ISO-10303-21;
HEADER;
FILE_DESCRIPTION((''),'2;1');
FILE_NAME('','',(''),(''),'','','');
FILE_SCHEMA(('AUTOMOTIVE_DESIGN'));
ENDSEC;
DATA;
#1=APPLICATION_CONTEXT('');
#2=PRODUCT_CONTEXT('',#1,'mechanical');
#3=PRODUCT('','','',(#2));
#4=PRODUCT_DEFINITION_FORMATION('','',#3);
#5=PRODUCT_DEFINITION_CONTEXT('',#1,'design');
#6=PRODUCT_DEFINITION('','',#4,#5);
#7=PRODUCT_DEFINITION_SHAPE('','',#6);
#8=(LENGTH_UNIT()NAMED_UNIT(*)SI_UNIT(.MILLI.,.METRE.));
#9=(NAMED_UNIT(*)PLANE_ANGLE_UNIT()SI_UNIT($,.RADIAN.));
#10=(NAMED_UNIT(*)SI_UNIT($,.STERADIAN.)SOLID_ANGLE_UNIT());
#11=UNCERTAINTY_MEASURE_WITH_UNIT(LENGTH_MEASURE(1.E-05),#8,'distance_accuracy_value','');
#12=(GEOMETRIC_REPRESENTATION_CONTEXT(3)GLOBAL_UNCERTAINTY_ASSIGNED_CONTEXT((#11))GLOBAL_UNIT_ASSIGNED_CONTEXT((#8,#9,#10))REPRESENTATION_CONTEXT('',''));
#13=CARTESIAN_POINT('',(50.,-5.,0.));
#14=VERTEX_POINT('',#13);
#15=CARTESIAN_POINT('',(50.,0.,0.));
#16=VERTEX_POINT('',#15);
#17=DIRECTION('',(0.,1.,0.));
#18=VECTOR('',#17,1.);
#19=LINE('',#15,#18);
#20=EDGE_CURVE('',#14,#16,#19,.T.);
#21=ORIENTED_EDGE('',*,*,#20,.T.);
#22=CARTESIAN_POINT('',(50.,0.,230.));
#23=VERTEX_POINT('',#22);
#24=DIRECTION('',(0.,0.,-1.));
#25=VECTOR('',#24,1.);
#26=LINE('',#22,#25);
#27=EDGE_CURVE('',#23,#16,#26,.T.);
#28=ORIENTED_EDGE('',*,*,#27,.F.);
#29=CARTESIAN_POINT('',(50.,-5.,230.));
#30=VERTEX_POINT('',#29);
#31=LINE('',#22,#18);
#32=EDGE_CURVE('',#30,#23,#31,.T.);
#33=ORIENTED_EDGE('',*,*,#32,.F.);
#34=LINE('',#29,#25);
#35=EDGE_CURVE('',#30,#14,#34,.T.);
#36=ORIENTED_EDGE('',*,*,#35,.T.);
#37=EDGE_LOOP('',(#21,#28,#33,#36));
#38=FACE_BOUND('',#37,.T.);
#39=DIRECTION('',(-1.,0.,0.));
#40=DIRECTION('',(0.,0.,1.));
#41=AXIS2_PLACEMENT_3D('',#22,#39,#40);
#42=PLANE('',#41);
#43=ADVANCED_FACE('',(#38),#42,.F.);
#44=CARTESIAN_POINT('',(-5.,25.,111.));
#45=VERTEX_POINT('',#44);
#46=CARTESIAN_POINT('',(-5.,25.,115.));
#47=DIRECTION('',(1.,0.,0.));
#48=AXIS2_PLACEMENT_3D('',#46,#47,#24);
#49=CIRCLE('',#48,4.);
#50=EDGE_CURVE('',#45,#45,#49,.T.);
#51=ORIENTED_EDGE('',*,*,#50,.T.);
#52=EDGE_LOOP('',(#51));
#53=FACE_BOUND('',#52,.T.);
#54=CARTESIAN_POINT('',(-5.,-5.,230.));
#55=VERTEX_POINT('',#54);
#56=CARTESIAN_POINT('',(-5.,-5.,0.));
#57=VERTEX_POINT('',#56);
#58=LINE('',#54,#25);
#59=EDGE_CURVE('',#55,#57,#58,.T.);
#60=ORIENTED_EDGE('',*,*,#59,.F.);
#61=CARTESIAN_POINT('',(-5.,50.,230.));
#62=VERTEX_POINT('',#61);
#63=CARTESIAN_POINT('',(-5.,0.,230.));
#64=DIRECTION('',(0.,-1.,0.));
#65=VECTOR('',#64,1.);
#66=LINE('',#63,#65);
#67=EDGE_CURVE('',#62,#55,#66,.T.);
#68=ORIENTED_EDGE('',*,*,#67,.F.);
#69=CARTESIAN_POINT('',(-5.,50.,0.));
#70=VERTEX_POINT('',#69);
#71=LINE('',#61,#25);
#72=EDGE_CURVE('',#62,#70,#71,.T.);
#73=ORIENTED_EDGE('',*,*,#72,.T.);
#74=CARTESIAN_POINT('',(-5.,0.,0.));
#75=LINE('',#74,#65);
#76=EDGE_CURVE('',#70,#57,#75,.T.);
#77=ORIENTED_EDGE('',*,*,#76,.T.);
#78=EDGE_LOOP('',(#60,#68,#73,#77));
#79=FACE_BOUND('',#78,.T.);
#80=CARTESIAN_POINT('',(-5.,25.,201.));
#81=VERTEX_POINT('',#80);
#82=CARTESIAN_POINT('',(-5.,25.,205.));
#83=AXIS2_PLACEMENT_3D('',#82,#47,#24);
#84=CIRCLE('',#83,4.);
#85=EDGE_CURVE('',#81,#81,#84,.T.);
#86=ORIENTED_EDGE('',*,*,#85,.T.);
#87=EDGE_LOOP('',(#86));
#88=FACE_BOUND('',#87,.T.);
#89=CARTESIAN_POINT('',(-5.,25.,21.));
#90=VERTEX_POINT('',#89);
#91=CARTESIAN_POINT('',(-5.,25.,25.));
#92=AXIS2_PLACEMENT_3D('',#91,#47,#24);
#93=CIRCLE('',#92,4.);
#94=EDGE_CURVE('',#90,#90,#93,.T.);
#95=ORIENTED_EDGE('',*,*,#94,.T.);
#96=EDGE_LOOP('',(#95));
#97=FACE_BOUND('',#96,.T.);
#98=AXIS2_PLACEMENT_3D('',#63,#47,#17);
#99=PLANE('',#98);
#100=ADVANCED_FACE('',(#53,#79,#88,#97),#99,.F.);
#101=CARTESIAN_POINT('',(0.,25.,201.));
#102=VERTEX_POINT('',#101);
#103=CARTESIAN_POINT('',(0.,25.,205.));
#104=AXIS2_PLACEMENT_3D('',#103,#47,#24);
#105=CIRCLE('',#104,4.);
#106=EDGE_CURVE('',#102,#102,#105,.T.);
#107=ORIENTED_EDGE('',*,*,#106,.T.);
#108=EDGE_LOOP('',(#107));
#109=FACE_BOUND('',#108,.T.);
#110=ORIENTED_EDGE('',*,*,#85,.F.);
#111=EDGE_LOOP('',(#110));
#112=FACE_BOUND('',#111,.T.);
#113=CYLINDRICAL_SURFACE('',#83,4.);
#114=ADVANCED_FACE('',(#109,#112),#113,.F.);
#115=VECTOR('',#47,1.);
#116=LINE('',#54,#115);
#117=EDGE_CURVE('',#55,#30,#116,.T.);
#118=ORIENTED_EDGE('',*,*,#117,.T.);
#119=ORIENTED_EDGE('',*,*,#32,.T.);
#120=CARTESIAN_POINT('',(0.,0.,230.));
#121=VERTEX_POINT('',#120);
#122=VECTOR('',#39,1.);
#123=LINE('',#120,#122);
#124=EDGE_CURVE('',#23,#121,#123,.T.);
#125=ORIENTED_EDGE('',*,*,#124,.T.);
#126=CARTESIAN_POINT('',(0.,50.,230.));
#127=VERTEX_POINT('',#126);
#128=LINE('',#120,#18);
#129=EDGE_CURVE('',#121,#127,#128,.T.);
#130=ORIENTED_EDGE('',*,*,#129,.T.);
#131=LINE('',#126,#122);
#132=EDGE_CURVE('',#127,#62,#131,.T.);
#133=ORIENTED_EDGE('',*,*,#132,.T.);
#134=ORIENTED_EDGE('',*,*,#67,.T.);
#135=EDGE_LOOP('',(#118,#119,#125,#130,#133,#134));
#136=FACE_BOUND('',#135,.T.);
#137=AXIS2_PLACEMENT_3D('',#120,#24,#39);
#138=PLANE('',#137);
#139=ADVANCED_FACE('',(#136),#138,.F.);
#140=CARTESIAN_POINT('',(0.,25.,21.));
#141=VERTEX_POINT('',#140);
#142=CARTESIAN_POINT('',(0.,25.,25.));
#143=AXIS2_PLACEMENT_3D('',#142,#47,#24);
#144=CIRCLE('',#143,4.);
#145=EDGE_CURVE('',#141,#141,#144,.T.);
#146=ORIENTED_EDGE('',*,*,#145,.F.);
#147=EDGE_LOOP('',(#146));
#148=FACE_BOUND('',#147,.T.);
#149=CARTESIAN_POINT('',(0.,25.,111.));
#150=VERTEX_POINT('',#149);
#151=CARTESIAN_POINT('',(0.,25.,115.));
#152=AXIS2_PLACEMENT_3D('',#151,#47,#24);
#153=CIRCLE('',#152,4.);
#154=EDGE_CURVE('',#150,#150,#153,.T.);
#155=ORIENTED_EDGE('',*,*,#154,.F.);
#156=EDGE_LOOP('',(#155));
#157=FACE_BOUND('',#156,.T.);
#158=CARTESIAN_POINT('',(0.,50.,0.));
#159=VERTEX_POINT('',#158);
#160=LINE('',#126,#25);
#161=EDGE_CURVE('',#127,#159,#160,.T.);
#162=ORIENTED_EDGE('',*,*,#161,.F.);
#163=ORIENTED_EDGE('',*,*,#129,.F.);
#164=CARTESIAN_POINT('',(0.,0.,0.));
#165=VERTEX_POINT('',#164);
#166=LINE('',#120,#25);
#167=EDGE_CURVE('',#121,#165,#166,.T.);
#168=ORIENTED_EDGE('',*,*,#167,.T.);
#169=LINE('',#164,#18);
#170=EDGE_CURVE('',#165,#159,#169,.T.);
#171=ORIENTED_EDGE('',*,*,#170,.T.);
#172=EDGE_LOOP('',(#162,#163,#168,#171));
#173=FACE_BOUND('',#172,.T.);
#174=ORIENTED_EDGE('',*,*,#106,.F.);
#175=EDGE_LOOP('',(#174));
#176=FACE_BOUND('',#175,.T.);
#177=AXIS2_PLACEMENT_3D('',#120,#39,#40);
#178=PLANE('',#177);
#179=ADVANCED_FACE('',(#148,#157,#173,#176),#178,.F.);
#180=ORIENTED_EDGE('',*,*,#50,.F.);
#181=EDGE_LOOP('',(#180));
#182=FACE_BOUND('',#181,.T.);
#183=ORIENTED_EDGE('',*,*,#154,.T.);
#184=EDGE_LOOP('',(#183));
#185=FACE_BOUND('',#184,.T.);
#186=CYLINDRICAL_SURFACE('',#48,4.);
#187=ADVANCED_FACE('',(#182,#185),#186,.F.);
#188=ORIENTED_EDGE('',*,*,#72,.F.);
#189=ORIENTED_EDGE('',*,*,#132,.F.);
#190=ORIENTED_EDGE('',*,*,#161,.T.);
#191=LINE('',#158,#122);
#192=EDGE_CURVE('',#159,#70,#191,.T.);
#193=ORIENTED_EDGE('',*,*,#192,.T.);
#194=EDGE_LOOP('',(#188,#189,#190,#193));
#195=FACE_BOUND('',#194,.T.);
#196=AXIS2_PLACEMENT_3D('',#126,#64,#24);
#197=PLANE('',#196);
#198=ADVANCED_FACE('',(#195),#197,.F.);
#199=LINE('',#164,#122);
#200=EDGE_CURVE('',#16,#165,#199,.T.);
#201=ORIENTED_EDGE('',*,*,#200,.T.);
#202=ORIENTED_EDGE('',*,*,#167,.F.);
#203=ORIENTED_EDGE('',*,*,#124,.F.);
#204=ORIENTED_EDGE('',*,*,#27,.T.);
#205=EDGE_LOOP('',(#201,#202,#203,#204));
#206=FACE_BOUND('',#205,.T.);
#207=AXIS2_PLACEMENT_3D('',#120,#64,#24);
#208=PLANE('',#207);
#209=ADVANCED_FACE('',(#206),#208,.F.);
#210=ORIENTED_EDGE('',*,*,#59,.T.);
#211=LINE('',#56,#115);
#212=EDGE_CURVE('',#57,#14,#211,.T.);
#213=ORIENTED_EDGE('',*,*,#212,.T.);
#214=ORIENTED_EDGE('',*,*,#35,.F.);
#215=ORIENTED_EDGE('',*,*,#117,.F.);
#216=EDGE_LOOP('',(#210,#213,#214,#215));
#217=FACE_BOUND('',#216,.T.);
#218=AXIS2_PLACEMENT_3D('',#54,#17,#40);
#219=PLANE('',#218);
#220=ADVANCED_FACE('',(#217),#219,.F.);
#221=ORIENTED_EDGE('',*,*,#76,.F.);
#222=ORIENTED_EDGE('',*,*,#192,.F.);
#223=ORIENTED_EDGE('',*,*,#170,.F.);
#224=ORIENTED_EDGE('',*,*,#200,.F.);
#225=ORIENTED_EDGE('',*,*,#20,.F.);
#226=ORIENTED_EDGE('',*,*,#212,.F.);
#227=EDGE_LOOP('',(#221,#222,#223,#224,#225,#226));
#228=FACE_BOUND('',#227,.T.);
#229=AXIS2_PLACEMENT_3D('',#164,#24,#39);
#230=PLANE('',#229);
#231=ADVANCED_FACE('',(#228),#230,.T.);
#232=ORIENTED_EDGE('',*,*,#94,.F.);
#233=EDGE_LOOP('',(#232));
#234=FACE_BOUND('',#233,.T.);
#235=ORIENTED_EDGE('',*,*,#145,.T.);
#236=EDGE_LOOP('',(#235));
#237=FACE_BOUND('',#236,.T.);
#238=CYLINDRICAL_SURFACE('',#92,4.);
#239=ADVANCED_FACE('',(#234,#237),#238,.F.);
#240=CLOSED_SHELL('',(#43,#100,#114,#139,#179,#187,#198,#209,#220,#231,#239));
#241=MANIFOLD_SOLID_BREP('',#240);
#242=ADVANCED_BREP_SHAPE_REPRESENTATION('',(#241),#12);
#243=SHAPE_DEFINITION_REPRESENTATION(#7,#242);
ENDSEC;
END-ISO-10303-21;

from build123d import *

# Parameters (mm, degrees)
BOSS_EXTRUDE1_DEPTH = 230
SKETCH2_R           = 4
CUT_EXTRUDE1_DEPTH  = 241.62418831


with BuildPart() as part:
    # Sketch1 → Boss-Extrude1 (new body)
    with BuildSketch(Plane.XY):
        Polygon((0, 0), (0, 50), (-5, 50), (-5, 0), (-5, -5), (50, -5), (50, 0), align=None)
    extrude(amount=BOSS_EXTRUDE1_DEPTH)

    # Sketch2 → Cut-Extrude1 (cut, through all)
    with BuildSketch(Plane(origin=(0, 0, 0), x_dir=(0, 0, -1), z_dir=(1, 0, 0))):
        with Locations((-115, 25)):
            Circle(SKETCH2_R)
        with Locations((-25, 25)):
            Circle(SKETCH2_R)
        with Locations((-205, 25)):
            Circle(SKETCH2_R)
    extrude(amount=-CUT_EXTRUDE1_DEPTH, mode=Mode.SUBTRACT)


solid = part.part
